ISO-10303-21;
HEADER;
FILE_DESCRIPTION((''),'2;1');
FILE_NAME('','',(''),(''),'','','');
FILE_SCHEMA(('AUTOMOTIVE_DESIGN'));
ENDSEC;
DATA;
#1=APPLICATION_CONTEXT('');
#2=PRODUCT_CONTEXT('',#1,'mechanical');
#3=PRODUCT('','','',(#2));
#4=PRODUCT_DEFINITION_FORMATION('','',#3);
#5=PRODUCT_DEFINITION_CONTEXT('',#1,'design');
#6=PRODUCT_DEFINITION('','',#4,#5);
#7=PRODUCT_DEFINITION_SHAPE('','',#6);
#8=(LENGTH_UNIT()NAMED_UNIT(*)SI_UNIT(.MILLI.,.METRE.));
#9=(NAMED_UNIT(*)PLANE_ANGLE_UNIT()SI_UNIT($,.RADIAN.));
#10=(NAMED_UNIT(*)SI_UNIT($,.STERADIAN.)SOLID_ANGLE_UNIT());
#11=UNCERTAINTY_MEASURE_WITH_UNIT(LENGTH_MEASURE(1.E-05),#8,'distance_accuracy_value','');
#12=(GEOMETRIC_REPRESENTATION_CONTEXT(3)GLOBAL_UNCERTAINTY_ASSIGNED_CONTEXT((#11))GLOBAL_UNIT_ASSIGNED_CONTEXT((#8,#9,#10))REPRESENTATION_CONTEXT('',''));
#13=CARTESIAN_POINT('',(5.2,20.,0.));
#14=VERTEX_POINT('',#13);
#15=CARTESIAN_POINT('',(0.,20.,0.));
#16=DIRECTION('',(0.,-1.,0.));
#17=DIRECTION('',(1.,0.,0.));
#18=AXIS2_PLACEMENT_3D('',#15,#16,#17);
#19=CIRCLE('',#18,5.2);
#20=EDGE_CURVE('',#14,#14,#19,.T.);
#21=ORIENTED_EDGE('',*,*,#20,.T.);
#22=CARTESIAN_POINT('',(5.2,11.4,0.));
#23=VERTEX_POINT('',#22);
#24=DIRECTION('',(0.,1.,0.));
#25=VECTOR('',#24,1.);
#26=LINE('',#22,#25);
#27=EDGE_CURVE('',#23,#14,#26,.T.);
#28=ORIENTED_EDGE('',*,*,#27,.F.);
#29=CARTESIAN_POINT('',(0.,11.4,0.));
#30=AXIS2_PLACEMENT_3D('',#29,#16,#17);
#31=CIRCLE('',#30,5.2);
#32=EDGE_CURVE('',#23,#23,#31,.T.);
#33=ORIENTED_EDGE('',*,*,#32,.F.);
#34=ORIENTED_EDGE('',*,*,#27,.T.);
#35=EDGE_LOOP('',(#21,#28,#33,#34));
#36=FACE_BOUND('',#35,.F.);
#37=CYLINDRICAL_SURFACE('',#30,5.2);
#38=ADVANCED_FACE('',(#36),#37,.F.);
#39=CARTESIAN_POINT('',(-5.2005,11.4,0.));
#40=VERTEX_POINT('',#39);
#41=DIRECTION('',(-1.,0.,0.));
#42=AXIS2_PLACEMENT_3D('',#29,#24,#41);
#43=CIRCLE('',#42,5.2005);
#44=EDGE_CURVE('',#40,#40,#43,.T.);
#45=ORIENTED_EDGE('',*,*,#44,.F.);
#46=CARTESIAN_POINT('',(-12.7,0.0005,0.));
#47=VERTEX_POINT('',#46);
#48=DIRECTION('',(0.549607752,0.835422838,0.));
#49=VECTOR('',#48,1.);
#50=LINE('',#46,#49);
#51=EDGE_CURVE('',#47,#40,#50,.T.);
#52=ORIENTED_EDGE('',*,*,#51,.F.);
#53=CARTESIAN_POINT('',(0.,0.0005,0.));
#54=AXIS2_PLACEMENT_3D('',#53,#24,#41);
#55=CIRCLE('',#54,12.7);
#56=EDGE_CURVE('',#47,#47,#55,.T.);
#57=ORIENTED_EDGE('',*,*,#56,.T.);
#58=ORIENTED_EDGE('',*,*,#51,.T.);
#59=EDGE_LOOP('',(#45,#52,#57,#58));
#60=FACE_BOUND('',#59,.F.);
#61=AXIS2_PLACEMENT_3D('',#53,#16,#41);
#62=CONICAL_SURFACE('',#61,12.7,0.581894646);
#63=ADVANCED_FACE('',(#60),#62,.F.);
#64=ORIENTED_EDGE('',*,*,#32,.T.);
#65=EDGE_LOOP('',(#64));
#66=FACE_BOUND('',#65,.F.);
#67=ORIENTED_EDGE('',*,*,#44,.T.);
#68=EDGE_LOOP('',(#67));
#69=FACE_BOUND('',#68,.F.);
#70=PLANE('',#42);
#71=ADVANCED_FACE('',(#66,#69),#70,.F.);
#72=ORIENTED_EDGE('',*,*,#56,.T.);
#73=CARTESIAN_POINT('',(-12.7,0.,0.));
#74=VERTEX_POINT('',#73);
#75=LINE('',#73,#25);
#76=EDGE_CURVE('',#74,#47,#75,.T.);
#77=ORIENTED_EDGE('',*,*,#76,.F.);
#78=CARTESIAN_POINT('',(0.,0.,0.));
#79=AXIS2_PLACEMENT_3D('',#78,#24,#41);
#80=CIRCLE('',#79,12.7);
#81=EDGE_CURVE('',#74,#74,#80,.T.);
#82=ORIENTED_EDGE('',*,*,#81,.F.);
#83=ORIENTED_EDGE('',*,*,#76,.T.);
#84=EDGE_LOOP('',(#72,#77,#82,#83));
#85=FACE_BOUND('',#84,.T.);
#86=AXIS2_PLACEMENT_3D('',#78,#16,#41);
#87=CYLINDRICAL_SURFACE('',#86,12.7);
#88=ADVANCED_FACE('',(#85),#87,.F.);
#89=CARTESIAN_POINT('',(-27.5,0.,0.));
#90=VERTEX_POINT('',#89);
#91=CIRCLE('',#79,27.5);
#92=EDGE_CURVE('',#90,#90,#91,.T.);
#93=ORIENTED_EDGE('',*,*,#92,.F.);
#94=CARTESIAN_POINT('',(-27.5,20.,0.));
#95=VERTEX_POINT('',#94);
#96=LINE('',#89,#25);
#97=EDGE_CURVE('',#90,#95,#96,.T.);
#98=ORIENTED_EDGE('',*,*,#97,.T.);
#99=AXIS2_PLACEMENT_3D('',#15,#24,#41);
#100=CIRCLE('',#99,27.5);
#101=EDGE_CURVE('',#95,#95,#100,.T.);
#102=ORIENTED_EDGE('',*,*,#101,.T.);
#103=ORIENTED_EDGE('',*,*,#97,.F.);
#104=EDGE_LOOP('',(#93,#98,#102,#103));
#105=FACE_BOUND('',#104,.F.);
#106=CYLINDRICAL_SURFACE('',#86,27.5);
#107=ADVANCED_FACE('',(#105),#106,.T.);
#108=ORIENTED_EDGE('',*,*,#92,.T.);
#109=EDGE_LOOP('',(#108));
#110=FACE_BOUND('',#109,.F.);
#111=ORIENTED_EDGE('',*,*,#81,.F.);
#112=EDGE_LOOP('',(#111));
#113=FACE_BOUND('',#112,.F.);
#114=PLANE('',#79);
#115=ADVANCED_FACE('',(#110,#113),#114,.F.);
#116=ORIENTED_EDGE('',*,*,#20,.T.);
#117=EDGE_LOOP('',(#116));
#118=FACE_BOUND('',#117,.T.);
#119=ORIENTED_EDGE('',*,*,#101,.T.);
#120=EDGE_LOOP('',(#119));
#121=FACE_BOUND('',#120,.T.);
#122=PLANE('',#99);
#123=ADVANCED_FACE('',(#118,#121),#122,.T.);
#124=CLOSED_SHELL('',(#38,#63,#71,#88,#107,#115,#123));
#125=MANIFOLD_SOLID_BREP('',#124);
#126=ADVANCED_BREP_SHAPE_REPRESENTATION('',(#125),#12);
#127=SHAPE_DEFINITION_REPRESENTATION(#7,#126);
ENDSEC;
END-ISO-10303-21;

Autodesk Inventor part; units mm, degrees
ref_plane "YZ Plane" through (0, 0, 0) normal (1, 0, 0) x (0, 1, 0)
ref_plane "XZ Plane" through (0, 0, 0) normal (0, 1, 0) x (-1, 0, 0)
ref_plane "XY Plane" through (0, 0, 0) normal (0, 0, 1) x (1, 0, 0)
sketch "Sketch1" plane through (0, 0, 0) normal (0, 1, 0) x (-1, 0, 0)
  circle A0 centre (0, 0) radius 27.5
  circle A1 centre (0, 0) radius 12.7
  dimension "d1" = 55
  dimension "d14" = 25.4
extrude "Extrusion1" add sketch "Sketch1" along normal blind 20 contours A0 | A1
extrude "Extrusion2" cut sketch "Sketch1" along normal blind 11.4 contours A1
sketch "Sketch2" plane through (0, 11.4, 0) normal (0, -1, 0) x (1, 0, 0)
  circle A0 centre (0, 0) radius 5.2
  dimension "d17" = 10.4
chamfer "Chamfer2" distance 11.4 distance2 7.5 1 edges at (12.7, 11.4, 0) measured on face at (-12.5355, 7.6, -2.0372)
extrude "Extrusion3" cut sketch "Sketch2" against normal blind 11.4
properties part number "2. ring"
